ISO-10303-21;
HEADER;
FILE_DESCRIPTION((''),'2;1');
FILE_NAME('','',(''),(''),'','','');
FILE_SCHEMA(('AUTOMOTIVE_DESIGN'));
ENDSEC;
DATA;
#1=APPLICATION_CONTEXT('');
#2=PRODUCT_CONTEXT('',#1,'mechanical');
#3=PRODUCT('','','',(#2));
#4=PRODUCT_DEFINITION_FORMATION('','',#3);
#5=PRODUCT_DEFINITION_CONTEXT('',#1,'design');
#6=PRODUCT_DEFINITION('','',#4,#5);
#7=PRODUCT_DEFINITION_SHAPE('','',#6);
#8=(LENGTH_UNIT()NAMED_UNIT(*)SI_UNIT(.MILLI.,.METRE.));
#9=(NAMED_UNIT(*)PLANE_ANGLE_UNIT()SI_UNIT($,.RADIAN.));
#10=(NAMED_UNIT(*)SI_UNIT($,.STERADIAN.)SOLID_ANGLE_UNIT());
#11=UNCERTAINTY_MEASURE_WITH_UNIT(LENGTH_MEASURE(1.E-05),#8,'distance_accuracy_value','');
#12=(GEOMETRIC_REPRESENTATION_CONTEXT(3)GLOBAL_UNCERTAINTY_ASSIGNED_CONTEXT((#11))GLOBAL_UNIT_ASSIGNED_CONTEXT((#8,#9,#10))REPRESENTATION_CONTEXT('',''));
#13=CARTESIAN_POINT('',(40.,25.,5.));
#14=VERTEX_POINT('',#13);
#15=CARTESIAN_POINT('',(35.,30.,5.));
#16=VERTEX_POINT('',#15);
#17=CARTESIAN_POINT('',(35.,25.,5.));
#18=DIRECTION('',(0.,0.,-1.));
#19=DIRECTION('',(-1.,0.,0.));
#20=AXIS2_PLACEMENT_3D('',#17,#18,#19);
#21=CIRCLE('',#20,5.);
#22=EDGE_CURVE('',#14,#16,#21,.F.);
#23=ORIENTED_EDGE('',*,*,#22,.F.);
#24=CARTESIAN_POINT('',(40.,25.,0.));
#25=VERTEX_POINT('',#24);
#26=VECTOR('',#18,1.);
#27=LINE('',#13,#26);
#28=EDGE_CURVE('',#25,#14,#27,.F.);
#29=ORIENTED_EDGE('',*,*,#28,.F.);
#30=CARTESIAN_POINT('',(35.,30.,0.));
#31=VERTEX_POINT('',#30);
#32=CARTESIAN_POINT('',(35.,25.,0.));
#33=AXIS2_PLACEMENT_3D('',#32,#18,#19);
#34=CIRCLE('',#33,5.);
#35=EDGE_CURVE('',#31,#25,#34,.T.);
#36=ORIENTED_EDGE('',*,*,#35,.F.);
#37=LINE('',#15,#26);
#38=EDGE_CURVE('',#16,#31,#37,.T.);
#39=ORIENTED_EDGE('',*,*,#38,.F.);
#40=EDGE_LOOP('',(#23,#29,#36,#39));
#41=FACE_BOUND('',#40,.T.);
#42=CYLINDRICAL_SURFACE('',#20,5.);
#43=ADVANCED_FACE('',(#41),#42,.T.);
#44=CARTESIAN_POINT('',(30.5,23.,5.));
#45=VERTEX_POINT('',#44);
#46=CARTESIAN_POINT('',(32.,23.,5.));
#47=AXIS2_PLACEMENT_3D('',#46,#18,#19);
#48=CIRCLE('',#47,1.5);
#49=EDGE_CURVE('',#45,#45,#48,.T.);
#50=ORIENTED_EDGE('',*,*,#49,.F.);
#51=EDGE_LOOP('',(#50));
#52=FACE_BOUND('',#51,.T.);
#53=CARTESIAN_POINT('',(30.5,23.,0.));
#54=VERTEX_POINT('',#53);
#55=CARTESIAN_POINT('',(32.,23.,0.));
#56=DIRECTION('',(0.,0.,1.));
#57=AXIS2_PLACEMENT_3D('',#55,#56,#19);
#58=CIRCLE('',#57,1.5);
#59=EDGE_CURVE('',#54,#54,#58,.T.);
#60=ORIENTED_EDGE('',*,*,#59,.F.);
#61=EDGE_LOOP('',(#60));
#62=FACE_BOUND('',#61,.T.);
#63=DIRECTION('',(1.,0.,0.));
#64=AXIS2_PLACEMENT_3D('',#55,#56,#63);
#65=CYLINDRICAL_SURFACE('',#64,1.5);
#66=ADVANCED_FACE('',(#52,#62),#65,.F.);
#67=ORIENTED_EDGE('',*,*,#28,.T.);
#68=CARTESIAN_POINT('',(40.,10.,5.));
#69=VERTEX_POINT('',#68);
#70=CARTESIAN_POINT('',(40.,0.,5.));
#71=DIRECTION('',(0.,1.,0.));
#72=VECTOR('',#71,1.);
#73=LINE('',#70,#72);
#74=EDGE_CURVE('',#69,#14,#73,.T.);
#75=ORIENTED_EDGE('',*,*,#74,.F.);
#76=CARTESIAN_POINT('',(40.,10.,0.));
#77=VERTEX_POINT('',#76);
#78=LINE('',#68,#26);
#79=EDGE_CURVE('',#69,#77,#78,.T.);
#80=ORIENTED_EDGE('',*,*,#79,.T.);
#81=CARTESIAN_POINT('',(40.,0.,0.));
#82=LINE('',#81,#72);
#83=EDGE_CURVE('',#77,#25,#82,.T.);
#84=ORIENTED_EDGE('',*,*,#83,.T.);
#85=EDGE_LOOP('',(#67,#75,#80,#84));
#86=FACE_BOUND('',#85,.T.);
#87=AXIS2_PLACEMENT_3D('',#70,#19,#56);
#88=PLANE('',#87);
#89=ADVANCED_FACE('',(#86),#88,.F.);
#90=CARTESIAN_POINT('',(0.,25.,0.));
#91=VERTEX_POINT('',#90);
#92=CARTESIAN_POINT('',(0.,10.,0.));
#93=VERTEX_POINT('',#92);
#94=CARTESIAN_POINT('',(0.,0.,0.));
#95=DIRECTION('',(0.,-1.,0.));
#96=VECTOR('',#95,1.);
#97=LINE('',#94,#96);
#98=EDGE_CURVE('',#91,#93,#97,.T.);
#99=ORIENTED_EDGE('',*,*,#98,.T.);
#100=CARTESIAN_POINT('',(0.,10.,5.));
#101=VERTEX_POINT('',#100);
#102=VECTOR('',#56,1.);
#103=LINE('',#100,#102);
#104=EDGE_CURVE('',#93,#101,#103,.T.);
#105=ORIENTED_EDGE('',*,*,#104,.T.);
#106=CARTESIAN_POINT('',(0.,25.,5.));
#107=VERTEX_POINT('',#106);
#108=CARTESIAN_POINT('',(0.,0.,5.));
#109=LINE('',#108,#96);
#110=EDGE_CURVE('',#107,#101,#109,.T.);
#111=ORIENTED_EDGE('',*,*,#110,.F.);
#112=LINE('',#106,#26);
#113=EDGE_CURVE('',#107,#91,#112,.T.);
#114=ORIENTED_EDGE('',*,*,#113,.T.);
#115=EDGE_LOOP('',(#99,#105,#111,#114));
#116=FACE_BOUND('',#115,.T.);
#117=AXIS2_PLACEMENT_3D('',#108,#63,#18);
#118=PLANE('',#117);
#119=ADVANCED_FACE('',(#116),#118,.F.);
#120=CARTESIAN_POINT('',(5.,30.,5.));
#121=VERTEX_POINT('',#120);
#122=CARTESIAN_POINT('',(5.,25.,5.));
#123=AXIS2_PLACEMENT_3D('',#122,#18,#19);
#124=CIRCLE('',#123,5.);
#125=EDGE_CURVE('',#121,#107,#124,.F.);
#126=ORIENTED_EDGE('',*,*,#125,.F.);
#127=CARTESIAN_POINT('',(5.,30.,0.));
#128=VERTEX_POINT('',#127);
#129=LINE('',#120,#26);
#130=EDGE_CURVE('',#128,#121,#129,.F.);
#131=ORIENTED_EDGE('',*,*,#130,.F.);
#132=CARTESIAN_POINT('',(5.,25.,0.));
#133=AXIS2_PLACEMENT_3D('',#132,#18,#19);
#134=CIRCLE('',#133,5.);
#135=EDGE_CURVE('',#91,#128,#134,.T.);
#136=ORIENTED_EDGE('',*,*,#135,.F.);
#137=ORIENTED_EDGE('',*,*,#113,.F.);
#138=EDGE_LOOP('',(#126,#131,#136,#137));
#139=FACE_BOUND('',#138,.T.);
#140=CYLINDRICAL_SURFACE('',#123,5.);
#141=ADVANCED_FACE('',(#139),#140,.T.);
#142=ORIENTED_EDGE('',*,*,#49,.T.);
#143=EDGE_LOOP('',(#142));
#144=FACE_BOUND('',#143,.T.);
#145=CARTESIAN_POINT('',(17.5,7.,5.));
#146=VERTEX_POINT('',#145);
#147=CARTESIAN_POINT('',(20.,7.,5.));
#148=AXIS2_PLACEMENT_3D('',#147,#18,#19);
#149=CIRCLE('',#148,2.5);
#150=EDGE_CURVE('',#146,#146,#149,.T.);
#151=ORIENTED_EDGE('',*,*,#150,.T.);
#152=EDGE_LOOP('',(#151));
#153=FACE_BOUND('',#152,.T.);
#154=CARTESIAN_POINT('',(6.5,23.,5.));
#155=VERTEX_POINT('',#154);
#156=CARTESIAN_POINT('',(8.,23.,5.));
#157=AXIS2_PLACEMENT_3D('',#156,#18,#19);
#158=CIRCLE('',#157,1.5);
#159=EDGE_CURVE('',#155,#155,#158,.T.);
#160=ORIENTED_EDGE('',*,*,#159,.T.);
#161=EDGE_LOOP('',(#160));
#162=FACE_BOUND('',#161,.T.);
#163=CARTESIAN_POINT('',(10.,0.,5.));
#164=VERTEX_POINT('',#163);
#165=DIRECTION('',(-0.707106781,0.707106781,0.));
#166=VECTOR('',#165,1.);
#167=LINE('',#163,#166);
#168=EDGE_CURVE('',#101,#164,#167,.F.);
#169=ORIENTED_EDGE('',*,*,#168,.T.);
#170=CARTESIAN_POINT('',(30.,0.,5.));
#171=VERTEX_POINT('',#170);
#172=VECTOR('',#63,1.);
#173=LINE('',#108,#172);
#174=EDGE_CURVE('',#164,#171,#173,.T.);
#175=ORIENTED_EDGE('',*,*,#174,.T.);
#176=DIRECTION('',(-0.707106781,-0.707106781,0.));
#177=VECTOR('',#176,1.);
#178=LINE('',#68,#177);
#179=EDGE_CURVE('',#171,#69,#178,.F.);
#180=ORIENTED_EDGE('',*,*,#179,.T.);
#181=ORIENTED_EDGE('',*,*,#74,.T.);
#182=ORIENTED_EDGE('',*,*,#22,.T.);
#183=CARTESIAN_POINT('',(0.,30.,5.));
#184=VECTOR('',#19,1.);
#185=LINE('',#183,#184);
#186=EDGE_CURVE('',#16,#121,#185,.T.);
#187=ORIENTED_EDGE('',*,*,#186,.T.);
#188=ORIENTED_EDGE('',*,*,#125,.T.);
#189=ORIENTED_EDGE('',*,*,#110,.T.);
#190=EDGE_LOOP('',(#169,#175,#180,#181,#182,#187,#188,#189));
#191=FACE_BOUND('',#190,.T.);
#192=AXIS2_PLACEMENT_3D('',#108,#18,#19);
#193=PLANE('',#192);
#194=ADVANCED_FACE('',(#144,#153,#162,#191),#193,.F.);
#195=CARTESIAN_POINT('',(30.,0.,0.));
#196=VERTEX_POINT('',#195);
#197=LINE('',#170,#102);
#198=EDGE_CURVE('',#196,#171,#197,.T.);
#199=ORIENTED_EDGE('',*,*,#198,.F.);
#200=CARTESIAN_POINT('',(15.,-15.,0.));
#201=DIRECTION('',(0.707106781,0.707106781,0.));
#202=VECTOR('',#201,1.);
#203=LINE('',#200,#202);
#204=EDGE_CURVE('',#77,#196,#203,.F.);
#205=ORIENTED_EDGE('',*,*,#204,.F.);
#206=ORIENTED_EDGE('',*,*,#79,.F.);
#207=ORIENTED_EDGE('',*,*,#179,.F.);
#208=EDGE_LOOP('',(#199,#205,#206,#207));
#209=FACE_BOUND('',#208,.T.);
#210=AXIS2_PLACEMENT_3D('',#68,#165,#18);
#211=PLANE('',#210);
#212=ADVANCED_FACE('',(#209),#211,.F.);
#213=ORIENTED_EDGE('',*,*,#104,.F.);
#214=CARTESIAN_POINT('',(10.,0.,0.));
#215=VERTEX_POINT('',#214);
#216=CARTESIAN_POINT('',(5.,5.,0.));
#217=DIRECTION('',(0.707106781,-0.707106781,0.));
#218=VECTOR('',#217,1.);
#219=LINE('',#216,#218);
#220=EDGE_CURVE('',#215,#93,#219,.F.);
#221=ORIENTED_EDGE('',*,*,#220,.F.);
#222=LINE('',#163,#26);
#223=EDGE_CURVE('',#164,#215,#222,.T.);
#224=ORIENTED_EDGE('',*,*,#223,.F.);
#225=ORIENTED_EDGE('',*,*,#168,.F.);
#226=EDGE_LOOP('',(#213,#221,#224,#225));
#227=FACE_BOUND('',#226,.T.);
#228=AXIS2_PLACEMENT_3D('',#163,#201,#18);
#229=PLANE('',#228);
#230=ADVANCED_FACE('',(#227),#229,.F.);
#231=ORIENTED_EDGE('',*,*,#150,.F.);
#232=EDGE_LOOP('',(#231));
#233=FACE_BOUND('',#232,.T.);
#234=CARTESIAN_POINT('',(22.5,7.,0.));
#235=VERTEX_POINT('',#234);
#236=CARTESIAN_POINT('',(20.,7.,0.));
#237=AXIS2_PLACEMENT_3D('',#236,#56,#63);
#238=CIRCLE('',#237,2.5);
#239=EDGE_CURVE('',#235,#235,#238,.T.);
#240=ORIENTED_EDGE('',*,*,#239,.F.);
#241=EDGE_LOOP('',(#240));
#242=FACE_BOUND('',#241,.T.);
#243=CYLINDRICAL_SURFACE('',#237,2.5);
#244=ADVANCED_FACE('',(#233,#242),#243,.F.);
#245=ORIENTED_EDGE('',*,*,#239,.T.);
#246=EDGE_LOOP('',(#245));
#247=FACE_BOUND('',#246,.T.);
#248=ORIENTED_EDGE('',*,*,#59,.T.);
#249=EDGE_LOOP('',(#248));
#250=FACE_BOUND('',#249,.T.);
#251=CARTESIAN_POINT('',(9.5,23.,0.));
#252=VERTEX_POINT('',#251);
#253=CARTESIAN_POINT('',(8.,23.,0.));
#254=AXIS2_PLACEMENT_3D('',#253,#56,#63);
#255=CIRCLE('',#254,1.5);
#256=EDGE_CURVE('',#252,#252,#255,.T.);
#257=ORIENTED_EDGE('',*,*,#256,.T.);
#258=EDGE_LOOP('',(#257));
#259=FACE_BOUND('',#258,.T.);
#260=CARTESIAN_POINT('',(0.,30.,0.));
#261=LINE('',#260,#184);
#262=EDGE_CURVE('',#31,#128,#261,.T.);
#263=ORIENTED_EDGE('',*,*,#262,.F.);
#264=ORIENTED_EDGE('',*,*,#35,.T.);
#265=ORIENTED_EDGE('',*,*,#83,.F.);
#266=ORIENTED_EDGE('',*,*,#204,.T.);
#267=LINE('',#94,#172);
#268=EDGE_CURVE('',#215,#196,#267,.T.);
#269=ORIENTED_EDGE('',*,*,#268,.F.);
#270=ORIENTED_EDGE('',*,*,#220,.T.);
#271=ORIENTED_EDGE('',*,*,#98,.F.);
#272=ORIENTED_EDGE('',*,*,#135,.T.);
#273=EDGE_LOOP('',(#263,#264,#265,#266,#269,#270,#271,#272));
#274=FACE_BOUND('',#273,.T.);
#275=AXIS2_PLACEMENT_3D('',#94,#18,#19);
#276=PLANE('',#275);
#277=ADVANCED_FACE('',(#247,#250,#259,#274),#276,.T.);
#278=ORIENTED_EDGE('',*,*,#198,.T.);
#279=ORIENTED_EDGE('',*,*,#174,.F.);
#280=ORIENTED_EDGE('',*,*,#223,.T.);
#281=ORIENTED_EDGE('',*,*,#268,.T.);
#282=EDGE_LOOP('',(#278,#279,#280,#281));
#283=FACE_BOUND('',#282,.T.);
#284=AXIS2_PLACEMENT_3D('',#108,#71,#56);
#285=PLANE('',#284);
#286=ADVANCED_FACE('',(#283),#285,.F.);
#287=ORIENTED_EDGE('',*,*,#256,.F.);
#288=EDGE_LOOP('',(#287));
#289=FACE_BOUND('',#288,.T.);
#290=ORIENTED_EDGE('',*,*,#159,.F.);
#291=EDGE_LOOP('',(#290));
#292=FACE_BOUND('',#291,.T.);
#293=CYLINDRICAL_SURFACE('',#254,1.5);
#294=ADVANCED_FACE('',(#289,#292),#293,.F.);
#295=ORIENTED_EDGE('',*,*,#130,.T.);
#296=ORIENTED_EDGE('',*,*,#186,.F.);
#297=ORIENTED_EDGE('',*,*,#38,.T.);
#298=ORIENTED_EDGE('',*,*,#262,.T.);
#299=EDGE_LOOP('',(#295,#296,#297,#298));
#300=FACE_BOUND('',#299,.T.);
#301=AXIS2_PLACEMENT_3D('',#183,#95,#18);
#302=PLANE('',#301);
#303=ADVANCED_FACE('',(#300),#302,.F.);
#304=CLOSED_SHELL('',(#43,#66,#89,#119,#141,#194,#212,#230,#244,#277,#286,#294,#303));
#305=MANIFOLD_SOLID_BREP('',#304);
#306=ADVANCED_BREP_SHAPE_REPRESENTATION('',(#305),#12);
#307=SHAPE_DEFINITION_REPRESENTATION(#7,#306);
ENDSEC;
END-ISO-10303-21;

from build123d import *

# Parameters (mm, degrees)
ESQUISSE1_W                  = 40
ESQUISSE1_H                  = 30
BOSS_EXTRU_1_DEPTH           = 5
ENL_V_MAT_EXTRU_1_DEPTH      = 51.249378106
ENL_V_MAT_EXTRU_1_DEPTH_BACK = 51.249378106
ESQUISSE2_R                  = 1.5
ESQUISSE2_R_2                = 2.5
CHANFREIN1_SIZE              = 10
CONG_1_R                     = 5


with BuildPart() as part:
    # Esquisse1 → Boss.-Extru.1 (new body)
    with BuildSketch(Plane.XY):
        with Locations((20, 15)):
            Rectangle(ESQUISSE1_W, ESQUISSE1_H)
    extrude(amount=BOSS_EXTRU_1_DEPTH)

    # Esquisse2 → Enlèv. mat.-Extru.1 (cut, two sides: drawn at the far end of the back side and taken through both)
    with BuildSketch(Plane.XY.offset(5).offset(-ENL_V_MAT_EXTRU_1_DEPTH_BACK)):
        with Locations((8, 23)):
            Circle(ESQUISSE2_R)
        with Locations(Location((32, 23, 0), (0, 0, 180))):
            Circle(ESQUISSE2_R)
        with Locations((20, 7)):
            Circle(ESQUISSE2_R_2)
    extrude(amount=ENL_V_MAT_EXTRU_1_DEPTH + ENL_V_MAT_EXTRU_1_DEPTH_BACK, mode=Mode.SUBTRACT)

    # Chanfrein1
    chanfrein1_edges = [part.edges().sort_by_distance(p)[0] for p in [
        (40, 0, 2.5),
        (0, 0, 2.5),
    ]]
    chamfer(chanfrein1_edges, length=CHANFREIN1_SIZE)

    # Congé1
    cong_1_edges = [part.edges().sort_by_distance(p)[0] for p in [
        (0, 30, 2.5),
        (40, 30, 2.5),
    ]]
    fillet(cong_1_edges, radius=CONG_1_R)


solid = part.part
